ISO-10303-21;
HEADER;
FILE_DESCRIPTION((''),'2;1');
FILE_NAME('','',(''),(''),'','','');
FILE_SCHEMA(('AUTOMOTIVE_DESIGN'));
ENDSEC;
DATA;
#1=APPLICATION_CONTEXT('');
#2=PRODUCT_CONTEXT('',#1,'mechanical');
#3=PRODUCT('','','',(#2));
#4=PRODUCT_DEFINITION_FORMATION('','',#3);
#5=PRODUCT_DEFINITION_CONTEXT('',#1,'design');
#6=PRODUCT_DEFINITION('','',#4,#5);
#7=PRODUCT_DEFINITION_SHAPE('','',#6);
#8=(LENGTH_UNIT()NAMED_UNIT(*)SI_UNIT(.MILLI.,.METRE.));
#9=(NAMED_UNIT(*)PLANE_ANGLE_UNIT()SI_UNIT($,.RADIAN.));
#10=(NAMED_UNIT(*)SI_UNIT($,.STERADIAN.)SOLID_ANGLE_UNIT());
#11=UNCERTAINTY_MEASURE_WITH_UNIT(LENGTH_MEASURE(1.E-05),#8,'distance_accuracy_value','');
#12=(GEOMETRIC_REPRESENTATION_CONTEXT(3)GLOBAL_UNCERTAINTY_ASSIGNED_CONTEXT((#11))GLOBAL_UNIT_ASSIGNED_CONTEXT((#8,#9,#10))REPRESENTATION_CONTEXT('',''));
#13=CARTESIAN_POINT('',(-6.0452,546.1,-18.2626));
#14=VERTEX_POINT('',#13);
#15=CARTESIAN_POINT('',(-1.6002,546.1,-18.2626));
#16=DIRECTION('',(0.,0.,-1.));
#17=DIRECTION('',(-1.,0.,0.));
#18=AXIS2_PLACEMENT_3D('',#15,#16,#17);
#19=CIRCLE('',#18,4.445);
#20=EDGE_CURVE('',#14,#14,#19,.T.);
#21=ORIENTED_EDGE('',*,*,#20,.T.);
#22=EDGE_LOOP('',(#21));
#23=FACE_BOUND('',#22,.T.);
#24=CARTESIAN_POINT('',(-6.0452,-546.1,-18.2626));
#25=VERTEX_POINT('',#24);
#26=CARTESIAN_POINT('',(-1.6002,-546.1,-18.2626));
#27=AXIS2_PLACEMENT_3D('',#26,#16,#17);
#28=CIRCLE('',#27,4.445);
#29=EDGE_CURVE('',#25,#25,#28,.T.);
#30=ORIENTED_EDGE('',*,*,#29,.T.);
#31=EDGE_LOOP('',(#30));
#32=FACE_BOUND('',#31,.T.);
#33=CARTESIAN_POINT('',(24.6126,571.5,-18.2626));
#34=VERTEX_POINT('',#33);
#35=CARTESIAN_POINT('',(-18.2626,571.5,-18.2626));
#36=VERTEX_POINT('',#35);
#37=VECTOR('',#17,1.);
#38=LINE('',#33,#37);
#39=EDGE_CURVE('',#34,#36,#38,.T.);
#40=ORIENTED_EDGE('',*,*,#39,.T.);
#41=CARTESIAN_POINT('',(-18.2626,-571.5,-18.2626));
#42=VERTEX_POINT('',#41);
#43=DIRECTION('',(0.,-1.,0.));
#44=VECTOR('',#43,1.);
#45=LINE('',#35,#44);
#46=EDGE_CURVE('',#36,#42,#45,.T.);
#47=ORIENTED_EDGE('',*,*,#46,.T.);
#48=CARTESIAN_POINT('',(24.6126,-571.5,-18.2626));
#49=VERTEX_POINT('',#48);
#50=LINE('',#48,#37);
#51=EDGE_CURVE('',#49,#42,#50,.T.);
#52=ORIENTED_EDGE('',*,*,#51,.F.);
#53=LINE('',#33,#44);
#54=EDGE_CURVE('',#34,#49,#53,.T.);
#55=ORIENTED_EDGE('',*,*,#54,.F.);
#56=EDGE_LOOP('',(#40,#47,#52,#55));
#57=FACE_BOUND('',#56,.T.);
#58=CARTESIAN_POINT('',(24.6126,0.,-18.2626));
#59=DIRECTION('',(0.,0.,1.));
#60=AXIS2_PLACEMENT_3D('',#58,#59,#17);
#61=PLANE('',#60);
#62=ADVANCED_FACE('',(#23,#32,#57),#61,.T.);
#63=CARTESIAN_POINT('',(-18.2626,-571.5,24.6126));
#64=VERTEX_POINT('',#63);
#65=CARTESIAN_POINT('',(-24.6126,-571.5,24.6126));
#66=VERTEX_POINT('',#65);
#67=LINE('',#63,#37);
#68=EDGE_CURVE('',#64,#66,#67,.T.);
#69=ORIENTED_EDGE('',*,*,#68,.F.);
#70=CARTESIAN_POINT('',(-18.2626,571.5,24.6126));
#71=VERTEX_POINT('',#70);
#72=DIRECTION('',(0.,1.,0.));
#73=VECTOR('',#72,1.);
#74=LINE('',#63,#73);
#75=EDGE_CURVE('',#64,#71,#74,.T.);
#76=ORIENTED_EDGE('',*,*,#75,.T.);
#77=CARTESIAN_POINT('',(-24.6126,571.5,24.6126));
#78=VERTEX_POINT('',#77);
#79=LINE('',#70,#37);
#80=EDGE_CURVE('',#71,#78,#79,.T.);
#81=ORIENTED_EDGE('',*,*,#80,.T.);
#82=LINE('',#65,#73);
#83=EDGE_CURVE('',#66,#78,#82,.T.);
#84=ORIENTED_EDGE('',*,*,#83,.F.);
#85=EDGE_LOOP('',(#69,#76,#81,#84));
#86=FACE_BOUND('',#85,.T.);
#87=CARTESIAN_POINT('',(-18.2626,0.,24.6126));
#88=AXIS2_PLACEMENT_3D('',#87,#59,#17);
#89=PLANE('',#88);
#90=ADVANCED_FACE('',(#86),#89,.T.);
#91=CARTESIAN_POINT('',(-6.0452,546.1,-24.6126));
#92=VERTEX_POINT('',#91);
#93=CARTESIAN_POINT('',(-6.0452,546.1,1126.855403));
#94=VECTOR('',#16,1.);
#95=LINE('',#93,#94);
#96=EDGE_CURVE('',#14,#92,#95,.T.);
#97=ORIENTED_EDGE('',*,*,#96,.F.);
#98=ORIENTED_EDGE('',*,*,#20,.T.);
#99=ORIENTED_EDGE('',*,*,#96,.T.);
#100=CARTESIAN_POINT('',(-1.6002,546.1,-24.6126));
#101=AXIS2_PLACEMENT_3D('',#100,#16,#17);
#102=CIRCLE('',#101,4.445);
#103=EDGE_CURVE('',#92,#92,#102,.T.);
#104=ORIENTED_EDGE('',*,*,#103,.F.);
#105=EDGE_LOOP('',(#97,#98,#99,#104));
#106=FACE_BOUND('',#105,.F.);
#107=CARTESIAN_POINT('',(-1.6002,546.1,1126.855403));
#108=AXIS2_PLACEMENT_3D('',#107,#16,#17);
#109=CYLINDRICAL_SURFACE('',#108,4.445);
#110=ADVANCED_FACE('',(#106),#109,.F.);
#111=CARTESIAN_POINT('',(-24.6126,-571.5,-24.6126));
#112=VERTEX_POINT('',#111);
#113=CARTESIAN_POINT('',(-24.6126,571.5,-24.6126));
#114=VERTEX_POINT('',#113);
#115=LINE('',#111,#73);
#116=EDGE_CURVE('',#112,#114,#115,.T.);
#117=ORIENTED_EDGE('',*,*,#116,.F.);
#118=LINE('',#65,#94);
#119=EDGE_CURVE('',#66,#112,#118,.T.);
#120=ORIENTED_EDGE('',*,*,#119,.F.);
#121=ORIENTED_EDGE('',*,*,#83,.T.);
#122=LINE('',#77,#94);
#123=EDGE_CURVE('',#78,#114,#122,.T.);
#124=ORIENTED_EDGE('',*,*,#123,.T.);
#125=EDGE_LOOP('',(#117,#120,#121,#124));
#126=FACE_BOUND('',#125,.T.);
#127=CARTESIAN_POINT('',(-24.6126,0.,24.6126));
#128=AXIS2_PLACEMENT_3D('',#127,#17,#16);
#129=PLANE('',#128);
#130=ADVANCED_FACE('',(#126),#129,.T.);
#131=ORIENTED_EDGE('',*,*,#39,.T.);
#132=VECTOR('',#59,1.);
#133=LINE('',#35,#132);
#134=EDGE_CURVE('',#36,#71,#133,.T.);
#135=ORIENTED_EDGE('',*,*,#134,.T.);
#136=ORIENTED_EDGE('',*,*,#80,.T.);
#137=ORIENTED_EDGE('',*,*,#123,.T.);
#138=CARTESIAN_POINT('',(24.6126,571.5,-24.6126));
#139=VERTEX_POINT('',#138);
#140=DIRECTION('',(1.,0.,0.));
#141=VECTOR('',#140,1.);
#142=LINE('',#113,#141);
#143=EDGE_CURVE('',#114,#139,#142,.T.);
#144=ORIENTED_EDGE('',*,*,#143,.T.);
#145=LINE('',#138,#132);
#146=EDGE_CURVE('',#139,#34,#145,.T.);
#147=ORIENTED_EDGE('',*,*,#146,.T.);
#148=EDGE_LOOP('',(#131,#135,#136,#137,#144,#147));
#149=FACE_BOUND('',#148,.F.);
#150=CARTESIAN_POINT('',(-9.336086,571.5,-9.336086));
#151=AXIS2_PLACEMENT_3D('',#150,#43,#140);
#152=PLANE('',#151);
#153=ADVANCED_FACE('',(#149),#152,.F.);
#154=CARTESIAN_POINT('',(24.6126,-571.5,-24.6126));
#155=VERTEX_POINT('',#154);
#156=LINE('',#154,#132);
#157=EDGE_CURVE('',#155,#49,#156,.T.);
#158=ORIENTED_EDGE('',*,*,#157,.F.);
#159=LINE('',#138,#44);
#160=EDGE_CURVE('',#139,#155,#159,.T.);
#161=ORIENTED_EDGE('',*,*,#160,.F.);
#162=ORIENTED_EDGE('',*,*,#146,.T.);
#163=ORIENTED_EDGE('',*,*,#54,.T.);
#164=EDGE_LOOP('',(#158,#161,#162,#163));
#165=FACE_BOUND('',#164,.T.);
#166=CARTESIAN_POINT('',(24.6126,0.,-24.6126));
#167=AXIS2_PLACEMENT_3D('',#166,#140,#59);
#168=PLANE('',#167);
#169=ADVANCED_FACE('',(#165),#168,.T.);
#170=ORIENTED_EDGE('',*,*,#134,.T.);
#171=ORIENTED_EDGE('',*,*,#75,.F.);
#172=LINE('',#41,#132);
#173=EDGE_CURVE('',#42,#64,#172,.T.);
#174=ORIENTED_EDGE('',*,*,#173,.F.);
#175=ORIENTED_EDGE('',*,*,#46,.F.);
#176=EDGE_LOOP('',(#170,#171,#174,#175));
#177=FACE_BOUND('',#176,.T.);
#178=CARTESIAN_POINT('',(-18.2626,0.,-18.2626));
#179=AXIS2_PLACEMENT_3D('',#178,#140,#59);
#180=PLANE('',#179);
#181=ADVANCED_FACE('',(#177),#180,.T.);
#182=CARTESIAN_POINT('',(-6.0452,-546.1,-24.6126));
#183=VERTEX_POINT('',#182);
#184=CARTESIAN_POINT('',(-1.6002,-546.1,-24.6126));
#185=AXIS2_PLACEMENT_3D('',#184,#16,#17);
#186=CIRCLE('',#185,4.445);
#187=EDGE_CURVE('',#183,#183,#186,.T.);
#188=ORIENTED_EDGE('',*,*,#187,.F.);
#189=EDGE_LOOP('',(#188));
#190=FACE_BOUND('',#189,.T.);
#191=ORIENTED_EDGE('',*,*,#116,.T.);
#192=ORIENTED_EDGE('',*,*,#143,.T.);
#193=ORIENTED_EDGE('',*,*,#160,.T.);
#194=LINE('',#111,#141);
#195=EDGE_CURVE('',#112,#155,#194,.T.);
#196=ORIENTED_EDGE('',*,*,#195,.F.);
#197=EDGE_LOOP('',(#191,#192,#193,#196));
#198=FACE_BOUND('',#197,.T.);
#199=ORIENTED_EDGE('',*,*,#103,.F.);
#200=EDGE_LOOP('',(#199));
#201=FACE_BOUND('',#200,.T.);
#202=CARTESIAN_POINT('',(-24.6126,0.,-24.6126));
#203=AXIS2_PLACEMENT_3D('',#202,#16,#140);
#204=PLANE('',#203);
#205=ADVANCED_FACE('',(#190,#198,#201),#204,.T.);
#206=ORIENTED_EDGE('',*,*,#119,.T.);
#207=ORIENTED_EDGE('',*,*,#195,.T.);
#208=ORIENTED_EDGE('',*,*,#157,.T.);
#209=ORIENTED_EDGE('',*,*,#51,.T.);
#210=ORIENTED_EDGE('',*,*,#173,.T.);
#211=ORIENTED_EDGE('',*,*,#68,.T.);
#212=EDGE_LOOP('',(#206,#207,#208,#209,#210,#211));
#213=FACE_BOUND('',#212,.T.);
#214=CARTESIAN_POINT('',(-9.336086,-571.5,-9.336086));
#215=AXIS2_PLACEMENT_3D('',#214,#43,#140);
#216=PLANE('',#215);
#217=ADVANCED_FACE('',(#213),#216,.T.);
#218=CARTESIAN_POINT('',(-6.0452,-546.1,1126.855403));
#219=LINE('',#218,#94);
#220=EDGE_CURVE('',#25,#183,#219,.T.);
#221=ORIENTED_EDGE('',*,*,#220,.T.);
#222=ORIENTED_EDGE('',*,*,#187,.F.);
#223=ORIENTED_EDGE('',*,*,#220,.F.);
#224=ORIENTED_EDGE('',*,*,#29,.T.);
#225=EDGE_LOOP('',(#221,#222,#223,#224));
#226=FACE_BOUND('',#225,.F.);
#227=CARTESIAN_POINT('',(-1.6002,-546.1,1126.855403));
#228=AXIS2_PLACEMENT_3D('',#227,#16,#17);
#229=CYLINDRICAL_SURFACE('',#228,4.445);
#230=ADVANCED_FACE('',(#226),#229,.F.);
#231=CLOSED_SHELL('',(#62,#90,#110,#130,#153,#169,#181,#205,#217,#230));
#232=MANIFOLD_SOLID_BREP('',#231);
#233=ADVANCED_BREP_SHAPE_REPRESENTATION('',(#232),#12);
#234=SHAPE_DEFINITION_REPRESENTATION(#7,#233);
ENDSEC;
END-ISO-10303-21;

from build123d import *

# Parameters (mm, degrees)
F1_DEPTH = 571.5
F3_D     = 8.89


with BuildPart() as f1:
    # F0 (on Front) → F1 (new body, symmetric)
    with BuildSketch(Plane.XZ):
        Polygon((-24.6126, -24.6126), (24.6126, -24.6126), (24.6126, -18.2626), (-18.2626, -18.2626), (-18.2626, 24.6126), (-24.6126, 24.6126), align=None)
    extrude(amount=F1_DEPTH, both=True)

    # F3 (through all)
    with Locations(Plane.XY.offset(-18.2626)):
        with Locations((-1.6002, -546.1), (-1.6002, 546.1)):
            Hole(F3_D / 2)


solid = f1.part
